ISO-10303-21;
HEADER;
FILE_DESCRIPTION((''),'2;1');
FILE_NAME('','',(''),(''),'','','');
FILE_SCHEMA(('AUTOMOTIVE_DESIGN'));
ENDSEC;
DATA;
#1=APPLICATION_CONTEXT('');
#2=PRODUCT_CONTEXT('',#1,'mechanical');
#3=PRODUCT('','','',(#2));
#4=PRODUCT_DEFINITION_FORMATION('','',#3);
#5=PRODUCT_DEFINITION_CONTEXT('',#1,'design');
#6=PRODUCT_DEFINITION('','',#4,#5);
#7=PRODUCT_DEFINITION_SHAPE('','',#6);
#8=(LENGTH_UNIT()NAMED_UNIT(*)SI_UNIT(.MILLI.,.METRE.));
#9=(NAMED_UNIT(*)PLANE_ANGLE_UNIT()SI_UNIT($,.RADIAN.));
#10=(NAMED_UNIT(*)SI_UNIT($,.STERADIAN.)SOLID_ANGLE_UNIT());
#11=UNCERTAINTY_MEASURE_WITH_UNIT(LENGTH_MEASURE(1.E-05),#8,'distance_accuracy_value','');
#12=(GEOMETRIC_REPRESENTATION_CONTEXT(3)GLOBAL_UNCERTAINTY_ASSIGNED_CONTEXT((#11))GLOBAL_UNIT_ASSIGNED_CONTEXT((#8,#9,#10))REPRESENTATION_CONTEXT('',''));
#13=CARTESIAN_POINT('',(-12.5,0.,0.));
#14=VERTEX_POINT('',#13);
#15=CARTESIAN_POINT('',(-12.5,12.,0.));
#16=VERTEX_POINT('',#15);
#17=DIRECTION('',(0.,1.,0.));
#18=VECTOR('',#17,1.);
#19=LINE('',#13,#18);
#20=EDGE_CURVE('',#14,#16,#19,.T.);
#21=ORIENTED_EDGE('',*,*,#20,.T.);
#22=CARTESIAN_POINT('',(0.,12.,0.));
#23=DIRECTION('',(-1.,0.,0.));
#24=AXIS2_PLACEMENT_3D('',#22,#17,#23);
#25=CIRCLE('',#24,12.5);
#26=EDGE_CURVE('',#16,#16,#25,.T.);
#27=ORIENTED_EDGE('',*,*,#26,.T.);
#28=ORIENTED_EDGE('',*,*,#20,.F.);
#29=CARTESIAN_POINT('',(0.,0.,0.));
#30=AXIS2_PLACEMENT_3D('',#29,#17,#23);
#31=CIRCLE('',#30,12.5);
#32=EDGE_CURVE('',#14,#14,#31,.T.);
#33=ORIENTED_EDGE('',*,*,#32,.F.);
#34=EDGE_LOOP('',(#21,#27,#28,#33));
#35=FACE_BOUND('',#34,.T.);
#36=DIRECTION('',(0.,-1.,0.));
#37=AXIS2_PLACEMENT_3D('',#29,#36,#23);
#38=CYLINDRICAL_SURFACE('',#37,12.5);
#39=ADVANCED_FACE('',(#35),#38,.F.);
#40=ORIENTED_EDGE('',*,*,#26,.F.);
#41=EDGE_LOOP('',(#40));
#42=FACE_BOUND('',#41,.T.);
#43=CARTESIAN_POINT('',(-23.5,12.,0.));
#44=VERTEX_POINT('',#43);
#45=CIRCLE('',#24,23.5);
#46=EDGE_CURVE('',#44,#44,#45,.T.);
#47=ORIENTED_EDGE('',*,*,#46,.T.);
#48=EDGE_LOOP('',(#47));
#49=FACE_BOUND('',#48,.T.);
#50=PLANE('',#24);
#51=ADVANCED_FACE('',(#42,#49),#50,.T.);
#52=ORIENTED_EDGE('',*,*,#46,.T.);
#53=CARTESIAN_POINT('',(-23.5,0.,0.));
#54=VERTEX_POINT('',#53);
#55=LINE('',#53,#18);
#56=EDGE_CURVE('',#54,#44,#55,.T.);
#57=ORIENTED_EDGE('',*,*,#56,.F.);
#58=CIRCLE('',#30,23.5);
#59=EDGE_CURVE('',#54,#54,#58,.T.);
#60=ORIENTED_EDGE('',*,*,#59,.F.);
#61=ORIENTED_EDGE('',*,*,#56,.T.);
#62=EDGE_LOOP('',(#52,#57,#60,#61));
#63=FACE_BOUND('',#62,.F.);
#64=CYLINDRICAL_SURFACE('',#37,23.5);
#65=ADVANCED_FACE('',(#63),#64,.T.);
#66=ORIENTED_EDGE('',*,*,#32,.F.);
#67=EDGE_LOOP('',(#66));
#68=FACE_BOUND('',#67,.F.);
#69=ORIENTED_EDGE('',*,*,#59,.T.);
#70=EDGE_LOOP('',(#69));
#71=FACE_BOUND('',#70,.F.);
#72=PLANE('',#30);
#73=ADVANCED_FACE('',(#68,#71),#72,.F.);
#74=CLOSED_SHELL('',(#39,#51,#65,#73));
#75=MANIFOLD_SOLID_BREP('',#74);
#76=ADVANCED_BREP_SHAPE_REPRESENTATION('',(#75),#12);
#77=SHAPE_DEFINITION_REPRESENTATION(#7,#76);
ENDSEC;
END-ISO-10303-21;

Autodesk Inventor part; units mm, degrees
ref_plane "YZ Plane" through (0, 0, 0) normal (1, 0, 0) x (0, 1, 0)
ref_plane "XZ Plane" through (0, 0, 0) normal (0, 1, 0) x (-1, 0, 0)
ref_plane "XY Plane" through (0, 0, 0) normal (0, 0, 1) x (1, 0, 0)
sketch "Sketch1" plane through (0, 0, 0) normal (0, 1, 0) x (-1, 0, 0)
  circle A0 centre (0, 0) radius 23.5
  circle A1 centre (0, 0) radius 12.5
  dimension "d0" = 47
  dimension "d1" = 25
extrude "Extrusion1" add sketch "Sketch1" along normal blind 12
properties part number "6005"
